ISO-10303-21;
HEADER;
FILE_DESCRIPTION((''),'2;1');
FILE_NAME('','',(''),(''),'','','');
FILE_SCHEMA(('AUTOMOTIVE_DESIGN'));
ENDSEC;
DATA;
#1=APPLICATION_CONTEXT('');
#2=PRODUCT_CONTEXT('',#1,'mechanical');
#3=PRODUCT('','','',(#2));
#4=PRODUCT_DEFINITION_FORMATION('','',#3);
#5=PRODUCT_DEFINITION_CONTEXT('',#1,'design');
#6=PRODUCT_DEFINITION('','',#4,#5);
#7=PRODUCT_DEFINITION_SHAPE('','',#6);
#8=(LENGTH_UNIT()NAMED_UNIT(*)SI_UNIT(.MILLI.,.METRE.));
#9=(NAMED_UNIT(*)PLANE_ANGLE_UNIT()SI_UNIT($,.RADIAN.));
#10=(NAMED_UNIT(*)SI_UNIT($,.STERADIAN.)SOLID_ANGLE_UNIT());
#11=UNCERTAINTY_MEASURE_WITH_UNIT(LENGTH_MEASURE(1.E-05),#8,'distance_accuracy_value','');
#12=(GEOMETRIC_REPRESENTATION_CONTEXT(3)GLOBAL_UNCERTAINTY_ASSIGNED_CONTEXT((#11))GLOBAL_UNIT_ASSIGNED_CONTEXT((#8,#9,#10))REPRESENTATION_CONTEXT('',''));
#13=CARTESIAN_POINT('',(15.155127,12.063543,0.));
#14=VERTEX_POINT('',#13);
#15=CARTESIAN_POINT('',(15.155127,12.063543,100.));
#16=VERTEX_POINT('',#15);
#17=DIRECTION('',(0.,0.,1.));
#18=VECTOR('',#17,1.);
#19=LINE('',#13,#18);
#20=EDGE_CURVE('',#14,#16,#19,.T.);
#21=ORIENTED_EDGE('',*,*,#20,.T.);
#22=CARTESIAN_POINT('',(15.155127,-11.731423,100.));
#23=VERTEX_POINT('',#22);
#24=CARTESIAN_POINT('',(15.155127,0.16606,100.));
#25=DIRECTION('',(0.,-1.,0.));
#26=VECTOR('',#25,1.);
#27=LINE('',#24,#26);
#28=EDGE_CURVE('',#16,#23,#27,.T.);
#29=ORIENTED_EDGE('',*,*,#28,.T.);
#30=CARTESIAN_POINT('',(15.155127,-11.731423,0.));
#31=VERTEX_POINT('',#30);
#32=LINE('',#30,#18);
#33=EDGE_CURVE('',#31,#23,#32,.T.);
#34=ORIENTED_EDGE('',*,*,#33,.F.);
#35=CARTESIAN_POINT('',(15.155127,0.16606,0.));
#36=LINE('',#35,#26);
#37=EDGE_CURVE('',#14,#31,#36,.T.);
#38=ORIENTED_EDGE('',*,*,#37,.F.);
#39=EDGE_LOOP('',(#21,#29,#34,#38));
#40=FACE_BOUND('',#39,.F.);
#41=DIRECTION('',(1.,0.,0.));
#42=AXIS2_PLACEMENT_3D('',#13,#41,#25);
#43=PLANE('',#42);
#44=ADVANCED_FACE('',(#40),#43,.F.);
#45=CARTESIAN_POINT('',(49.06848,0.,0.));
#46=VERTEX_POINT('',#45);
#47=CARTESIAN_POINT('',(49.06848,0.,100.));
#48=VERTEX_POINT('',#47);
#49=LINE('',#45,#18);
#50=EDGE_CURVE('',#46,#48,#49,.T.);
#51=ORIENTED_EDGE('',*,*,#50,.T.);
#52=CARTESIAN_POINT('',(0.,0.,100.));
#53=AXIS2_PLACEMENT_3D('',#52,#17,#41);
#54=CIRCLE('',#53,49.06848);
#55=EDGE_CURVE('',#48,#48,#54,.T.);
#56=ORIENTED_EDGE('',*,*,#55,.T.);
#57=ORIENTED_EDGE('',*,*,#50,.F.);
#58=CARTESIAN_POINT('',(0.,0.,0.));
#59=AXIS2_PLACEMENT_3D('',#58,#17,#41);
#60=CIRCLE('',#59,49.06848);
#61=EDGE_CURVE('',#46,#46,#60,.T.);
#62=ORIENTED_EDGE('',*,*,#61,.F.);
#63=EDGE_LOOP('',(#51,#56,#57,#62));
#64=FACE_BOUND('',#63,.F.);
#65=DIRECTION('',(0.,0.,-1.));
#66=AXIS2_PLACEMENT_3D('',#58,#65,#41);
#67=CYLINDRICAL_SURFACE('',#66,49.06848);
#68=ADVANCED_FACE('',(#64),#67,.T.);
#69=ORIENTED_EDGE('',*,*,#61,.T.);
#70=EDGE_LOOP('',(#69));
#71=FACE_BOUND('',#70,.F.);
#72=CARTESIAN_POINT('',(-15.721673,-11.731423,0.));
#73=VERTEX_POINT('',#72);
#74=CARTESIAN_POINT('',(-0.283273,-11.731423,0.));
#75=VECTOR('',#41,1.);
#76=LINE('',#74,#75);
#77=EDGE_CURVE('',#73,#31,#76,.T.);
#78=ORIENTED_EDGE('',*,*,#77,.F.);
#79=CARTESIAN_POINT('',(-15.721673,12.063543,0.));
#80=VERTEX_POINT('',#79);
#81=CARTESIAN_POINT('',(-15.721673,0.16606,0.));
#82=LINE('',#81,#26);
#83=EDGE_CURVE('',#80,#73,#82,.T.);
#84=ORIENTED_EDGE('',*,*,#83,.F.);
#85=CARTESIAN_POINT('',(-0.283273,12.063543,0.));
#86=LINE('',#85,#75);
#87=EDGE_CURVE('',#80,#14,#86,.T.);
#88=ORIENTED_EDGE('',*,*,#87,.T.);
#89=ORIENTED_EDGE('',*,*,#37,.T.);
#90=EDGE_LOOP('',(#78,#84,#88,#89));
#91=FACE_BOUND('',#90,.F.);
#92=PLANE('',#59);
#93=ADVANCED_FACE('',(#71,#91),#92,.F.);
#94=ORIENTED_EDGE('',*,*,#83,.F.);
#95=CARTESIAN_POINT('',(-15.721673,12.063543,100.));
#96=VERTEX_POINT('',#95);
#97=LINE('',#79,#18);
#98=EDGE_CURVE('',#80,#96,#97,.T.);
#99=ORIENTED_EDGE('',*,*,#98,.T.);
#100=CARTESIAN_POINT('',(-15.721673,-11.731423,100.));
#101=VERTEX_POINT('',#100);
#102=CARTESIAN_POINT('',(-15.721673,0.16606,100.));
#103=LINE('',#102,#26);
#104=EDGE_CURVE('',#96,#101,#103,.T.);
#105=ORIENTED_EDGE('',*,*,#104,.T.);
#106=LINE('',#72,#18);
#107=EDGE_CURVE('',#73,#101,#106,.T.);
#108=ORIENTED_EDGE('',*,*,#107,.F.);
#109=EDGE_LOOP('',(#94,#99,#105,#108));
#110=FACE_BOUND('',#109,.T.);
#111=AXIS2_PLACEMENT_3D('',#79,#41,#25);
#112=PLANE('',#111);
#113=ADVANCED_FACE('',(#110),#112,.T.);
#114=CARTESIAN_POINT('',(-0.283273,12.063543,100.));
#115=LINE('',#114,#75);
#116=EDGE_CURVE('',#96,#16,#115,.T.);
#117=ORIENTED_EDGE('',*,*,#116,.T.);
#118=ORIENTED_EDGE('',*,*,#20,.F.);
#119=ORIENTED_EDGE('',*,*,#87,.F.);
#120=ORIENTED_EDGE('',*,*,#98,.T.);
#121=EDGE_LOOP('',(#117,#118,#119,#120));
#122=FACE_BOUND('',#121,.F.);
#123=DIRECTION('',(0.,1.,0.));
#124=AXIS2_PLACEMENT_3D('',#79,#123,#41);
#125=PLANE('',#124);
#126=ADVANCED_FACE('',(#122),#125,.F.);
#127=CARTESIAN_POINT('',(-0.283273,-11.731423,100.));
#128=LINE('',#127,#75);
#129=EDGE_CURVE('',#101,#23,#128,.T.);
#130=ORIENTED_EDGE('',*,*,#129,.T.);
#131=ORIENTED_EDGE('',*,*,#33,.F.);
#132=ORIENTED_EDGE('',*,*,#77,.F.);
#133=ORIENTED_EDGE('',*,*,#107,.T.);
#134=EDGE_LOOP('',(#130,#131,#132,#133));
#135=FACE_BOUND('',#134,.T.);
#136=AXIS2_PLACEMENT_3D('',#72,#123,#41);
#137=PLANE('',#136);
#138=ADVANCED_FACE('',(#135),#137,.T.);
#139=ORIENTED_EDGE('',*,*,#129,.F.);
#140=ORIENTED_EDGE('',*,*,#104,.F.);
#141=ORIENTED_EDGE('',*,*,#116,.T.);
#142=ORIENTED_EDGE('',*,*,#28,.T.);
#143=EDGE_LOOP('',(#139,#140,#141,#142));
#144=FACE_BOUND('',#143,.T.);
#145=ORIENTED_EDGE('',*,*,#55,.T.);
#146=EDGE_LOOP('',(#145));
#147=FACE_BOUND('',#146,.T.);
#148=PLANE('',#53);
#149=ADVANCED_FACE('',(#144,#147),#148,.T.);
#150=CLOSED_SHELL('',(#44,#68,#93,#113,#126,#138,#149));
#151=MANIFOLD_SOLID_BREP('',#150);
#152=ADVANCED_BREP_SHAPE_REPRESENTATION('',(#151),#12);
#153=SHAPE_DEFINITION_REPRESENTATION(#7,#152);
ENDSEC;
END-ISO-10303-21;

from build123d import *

# Parameters (mm, degrees)
F0_R     = 49.06848
F1_DEPTH = 100
F2_W     = 30.8768
F2_H     = 23.794965
F3_DEPTH = 100


with BuildPart() as f1:
    # F0 (on Top) → F1 (new body)
    with BuildSketch(Plane.XY):
        Circle(F0_R)
    extrude(amount=F1_DEPTH)

    # F2 (on face) → F3 (cut)
    with BuildSketch(Plane(origin=(0, 0, 0), x_dir=(1, 0, 0), z_dir=(0, 0, -1))):
        with Locations((-0.283273, -0.16606)):
            Rectangle(F2_W, F2_H)
    extrude(amount=-F3_DEPTH, mode=Mode.SUBTRACT)


solid = f1.part
